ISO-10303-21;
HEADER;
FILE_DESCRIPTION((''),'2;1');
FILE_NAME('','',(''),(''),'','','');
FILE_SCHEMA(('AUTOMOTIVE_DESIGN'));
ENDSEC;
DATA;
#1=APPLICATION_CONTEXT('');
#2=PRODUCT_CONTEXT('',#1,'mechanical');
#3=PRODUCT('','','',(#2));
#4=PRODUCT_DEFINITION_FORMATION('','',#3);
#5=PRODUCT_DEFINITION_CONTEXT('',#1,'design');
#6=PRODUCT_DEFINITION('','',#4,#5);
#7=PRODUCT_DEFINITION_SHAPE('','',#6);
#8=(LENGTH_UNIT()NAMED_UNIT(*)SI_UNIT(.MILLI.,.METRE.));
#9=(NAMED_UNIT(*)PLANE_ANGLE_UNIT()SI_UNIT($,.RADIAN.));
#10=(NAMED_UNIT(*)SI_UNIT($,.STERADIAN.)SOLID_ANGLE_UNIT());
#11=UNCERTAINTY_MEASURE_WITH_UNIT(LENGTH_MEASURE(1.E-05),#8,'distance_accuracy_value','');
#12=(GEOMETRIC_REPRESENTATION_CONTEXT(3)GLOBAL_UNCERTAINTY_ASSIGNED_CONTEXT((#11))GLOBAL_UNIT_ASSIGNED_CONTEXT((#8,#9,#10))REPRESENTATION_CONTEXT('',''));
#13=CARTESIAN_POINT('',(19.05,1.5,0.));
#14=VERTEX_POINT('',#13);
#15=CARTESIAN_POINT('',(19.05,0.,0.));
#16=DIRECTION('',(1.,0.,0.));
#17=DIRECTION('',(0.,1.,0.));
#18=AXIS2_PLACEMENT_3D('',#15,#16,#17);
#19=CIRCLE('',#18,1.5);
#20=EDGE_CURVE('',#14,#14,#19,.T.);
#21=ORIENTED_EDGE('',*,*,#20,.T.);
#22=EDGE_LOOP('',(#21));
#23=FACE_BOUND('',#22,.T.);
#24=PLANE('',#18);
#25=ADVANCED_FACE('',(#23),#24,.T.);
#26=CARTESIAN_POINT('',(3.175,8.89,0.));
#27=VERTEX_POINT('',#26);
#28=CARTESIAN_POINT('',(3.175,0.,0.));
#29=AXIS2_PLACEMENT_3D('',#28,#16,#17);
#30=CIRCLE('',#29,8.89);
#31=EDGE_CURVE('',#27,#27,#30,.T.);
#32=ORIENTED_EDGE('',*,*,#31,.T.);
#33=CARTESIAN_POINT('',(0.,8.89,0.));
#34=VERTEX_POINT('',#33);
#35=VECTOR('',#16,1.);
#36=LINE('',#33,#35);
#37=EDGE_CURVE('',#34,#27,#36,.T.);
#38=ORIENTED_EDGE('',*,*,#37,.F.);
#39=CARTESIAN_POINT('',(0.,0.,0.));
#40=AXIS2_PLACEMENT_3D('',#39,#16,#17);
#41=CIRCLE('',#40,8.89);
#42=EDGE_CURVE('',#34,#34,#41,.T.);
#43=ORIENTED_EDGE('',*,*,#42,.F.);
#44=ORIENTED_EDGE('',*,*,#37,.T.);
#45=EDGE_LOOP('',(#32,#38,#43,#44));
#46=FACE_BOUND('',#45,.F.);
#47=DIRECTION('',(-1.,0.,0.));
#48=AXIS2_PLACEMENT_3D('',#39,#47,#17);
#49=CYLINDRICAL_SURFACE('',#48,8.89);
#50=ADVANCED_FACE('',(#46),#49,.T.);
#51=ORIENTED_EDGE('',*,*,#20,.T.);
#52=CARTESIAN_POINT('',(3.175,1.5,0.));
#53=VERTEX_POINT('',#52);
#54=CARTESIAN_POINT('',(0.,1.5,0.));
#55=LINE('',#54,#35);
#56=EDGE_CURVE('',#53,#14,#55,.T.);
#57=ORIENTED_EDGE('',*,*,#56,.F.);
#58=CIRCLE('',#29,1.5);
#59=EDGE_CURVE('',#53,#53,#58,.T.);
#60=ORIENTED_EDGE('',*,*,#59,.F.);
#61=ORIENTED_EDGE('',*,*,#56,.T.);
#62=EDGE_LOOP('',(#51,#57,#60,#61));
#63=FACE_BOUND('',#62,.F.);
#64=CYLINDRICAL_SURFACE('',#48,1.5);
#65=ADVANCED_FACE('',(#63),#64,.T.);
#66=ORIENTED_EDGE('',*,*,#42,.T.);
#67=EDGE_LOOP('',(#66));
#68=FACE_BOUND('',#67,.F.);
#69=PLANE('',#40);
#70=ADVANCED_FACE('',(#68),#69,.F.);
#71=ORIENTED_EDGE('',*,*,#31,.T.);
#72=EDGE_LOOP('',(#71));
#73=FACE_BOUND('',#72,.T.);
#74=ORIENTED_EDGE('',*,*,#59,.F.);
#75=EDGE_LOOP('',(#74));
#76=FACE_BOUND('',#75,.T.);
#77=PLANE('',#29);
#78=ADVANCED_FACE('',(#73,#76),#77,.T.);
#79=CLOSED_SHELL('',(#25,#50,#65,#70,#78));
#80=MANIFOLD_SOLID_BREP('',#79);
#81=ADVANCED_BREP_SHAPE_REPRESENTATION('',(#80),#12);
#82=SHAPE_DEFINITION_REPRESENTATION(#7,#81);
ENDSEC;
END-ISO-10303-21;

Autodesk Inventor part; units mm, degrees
ref_plane "YZ Plane" through (0, 0, 0) normal (1, 0, 0) x (0, 1, 0)
ref_plane "XZ Plane" through (0, 0, 0) normal (0, 1, 0) x (-1, 0, 0)
ref_plane "XY Plane" through (0, 0, 0) normal (0, 0, 1) x (1, 0, 0)
sketch "Sketch1" plane through (0, 0, 0) normal (1, 0, 0) x (0, 1, 0)
  circle A0 centre (0, 0) radius 8.89
  circle A1 centre (0, 0) radius 1.5
  dimension "d0" = 17.78
  dimension "d3" = 3
extrude "Extrusion2" add sketch "Sketch1" along normal blind 3.175
extrude "Extrusion3" add sketch "Sketch1" along normal blind 19.05 contours A1
properties part number "BumperWheel2"
